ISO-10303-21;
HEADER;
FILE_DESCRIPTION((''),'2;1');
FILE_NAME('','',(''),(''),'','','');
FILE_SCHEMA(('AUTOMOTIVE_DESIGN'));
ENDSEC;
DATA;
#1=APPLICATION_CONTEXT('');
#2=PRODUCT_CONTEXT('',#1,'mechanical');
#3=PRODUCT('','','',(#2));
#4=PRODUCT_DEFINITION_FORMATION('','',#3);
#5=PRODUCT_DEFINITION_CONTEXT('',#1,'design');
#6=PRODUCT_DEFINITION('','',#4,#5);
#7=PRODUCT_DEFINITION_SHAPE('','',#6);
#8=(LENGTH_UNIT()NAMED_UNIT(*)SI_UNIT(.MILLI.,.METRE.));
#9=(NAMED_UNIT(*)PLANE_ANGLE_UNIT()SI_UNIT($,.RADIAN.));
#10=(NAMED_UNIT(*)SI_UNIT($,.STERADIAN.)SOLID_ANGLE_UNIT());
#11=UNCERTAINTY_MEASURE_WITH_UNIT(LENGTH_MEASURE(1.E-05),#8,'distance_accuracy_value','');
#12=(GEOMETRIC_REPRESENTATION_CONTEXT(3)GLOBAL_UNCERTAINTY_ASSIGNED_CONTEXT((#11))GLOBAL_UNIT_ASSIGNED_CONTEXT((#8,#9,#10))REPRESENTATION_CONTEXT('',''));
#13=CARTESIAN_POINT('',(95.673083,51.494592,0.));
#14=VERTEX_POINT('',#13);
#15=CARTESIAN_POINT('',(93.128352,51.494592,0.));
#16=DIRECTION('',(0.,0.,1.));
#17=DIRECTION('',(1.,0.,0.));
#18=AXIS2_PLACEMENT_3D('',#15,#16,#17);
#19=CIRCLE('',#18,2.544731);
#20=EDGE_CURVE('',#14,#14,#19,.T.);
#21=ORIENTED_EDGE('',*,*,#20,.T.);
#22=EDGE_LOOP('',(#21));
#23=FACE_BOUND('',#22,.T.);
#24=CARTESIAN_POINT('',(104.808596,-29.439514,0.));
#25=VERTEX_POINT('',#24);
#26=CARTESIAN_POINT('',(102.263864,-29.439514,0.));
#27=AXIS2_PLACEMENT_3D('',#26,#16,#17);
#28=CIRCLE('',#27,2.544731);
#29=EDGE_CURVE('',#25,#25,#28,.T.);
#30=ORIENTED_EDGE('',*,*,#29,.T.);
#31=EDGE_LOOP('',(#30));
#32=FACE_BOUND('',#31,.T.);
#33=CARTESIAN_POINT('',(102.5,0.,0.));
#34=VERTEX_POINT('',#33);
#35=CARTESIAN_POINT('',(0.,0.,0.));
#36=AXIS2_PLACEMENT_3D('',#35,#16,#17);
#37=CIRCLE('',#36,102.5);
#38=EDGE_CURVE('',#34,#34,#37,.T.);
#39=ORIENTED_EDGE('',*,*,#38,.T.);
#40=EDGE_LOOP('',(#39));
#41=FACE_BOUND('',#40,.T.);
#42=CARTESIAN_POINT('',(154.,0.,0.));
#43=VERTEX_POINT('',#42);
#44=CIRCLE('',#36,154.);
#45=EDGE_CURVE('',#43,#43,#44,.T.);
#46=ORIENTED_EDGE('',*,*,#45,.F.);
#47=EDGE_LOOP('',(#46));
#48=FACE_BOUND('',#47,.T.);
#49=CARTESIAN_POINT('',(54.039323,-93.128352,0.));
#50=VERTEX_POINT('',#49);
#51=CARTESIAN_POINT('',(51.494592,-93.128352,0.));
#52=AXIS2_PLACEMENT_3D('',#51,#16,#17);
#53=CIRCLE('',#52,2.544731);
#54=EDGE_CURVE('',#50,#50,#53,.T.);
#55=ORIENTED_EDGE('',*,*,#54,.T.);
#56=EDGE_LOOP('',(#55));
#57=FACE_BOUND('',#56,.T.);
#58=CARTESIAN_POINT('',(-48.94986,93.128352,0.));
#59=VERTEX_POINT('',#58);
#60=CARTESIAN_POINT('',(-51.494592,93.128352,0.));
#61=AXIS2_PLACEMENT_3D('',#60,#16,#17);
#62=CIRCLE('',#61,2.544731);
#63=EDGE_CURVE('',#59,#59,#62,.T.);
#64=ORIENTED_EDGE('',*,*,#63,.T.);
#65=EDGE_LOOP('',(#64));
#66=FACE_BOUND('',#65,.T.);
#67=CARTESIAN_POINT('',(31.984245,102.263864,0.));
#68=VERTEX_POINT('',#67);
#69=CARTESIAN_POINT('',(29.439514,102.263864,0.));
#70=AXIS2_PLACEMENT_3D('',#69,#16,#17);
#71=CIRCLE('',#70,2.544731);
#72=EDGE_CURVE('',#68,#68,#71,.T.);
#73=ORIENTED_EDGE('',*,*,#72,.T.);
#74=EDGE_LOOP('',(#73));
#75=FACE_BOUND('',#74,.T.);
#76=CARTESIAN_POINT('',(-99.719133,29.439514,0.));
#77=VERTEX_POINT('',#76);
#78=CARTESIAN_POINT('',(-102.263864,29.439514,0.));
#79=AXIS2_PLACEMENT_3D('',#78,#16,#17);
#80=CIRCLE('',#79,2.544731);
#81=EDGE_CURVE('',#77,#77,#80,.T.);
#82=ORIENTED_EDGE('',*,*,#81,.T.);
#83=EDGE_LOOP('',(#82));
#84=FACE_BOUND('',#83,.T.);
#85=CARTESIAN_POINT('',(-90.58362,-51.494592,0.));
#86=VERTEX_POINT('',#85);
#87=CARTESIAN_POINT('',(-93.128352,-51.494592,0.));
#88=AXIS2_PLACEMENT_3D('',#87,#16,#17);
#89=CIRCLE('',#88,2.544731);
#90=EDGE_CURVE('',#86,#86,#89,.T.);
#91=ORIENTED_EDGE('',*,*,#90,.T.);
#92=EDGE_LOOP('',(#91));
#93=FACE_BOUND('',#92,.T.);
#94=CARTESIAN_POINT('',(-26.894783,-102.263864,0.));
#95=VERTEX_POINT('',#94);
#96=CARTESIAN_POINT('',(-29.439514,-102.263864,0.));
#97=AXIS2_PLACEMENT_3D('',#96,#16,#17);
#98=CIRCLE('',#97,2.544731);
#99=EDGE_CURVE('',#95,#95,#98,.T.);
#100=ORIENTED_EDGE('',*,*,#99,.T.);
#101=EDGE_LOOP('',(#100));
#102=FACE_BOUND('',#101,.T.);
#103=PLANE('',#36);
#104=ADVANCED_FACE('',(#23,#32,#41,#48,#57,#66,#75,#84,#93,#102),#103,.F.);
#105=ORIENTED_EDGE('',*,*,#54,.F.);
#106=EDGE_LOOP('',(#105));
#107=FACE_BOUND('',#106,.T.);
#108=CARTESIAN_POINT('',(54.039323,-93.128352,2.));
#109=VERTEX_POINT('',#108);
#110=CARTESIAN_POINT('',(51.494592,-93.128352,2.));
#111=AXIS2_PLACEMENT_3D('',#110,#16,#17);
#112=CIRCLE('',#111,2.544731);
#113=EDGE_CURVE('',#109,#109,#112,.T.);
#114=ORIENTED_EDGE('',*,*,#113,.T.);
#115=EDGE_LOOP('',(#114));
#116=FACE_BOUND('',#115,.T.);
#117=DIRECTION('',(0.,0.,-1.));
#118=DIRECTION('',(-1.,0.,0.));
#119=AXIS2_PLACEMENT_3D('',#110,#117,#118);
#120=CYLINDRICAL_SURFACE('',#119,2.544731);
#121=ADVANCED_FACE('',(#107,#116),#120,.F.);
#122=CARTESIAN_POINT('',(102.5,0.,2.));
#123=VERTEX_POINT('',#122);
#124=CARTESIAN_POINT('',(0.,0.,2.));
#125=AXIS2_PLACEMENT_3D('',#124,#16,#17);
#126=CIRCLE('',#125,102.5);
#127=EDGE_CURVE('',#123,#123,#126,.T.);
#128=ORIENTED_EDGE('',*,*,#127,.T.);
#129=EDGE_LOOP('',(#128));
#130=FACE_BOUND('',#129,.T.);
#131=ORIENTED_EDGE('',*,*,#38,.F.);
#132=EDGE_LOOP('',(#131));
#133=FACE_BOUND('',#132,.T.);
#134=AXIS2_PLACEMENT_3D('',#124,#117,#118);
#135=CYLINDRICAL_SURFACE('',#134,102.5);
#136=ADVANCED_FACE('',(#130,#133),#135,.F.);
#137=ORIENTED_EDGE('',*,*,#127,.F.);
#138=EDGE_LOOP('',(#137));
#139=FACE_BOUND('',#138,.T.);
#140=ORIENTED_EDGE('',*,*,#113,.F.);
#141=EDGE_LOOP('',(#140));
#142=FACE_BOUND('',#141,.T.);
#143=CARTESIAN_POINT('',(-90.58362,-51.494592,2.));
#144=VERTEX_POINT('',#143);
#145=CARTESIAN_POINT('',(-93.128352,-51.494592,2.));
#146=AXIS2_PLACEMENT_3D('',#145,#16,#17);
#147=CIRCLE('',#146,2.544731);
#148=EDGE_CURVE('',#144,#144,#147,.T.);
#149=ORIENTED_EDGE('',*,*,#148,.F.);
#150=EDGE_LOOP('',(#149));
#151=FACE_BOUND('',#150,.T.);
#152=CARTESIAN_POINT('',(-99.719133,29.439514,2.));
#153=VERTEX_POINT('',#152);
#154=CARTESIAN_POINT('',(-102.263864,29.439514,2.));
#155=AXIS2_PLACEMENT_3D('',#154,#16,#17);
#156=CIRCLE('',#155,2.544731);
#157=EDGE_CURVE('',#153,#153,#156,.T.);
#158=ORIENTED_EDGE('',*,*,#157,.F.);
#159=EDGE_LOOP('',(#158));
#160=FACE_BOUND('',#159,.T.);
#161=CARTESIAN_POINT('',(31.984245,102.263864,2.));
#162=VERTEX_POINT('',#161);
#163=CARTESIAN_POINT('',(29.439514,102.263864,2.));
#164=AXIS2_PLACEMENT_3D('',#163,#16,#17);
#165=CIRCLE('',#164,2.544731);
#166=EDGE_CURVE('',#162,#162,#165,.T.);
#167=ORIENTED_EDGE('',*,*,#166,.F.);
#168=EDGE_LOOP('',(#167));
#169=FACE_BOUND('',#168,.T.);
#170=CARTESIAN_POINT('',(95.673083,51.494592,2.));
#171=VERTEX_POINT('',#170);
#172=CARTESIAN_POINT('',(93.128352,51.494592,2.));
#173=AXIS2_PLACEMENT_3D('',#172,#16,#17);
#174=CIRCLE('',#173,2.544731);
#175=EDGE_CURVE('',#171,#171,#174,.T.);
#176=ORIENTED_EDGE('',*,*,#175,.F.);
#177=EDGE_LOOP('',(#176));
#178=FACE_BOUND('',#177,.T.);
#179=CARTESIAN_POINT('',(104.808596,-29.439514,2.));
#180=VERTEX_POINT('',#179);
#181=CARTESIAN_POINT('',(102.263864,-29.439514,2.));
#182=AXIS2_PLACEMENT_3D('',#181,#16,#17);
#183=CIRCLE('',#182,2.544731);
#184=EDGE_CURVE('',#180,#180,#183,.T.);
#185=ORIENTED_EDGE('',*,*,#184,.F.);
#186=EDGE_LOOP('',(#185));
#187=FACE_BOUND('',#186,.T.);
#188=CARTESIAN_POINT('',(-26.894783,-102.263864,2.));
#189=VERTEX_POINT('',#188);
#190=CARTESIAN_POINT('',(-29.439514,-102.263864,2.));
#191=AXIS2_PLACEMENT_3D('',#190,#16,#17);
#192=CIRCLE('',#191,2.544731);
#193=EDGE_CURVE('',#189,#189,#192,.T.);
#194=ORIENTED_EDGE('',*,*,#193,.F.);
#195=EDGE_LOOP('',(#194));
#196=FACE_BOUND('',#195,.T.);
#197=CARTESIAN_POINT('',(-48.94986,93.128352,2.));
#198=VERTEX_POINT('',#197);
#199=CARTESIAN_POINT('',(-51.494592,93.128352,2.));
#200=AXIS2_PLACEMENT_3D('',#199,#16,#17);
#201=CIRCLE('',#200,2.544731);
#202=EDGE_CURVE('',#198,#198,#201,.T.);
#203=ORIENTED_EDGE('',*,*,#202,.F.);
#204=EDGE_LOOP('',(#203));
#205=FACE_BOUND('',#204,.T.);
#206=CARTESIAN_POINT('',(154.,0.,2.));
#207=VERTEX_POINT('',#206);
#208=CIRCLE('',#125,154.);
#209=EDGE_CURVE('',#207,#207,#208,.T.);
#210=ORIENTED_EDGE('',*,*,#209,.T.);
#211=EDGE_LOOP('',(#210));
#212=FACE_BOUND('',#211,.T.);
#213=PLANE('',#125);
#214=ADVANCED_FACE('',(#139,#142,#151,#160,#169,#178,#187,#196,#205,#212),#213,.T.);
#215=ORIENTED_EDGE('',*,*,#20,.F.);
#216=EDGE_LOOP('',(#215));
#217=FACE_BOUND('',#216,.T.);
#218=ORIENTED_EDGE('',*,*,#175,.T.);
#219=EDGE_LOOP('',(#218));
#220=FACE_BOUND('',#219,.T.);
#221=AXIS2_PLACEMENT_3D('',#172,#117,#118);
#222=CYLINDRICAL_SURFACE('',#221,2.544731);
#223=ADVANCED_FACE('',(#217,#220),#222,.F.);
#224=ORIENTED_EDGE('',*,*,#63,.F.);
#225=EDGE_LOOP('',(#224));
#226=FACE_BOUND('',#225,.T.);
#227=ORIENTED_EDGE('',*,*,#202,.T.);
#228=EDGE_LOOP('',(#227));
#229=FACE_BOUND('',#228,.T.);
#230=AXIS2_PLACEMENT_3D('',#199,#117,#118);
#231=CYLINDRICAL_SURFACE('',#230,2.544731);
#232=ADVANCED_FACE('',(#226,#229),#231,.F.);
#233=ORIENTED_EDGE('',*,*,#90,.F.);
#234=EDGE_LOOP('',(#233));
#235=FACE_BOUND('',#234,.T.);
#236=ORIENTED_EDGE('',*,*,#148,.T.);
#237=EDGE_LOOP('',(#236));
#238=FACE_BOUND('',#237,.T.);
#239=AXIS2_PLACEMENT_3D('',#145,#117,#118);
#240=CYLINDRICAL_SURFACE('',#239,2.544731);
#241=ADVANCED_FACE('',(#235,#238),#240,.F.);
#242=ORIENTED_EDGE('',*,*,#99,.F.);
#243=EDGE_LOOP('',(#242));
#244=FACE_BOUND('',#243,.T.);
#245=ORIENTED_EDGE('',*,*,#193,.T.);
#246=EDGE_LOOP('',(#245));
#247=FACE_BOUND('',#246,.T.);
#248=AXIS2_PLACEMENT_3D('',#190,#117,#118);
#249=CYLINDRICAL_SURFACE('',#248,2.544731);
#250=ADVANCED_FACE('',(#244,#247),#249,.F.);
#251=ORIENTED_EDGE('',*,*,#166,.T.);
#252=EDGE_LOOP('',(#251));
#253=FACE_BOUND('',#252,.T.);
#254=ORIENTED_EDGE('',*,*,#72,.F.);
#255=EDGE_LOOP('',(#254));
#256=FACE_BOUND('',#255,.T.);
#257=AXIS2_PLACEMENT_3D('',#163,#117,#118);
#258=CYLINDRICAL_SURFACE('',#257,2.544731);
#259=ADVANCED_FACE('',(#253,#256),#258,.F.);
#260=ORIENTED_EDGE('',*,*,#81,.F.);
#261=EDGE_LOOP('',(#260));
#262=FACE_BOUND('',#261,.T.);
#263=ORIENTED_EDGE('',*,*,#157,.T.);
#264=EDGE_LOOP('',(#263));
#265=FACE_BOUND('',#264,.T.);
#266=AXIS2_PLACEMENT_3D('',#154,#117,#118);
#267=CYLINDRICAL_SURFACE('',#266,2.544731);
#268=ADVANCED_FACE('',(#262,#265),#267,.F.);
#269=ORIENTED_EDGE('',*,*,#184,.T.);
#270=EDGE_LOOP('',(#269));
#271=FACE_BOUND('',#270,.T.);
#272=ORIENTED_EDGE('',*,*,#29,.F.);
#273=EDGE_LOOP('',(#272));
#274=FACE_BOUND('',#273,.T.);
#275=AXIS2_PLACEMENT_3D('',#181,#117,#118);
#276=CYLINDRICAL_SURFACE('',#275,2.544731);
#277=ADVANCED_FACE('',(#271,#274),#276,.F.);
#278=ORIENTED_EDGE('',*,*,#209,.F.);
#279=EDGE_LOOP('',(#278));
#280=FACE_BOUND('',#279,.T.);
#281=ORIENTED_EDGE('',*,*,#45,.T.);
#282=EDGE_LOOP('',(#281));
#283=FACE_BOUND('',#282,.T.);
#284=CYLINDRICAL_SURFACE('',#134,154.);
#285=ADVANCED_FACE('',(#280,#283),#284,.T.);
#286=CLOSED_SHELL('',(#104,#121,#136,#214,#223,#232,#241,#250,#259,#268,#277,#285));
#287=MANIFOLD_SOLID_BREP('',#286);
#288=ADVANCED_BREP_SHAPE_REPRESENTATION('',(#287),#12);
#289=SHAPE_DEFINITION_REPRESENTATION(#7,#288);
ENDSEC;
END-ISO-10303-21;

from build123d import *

# Parameters (mm, degrees)
SKETCH1_R           = 154
SKETCH1_R_2         = 102.5
SKETCH1_R_3         = 2.544731427
BOSS_EXTRUDE1_DEPTH = 2


with BuildPart() as part:
    # Sketch1 → Boss-Extrude1 (new body)
    with BuildSketch(Plane.XY):
        Circle(SKETCH1_R)
        Circle(SKETCH1_R_2, mode=Mode.SUBTRACT)
        with Locations((102.263864137, -29.439514058)):
            Circle(SKETCH1_R_3, mode=Mode.SUBTRACT)
        with Locations((93.128351827, 51.494591777)):
            Circle(SKETCH1_R_3, mode=Mode.SUBTRACT)
        with Locations((51.494591777, -93.128351827)):
            Circle(SKETCH1_R_3, mode=Mode.SUBTRACT)
        with Locations((-29.439514058, -102.263864137)):
            Circle(SKETCH1_R_3, mode=Mode.SUBTRACT)
        with Locations((-93.128351827, -51.494591777)):
            Circle(SKETCH1_R_3, mode=Mode.SUBTRACT)
        with Locations((-102.263864137, 29.439514058)):
            Circle(SKETCH1_R_3, mode=Mode.SUBTRACT)
        with Locations((-51.494591777, 93.128351827)):
            Circle(SKETCH1_R_3, mode=Mode.SUBTRACT)
        with Locations((29.439514058, 102.263864137)):
            Circle(SKETCH1_R_3, mode=Mode.SUBTRACT)
    extrude(amount=BOSS_EXTRUDE1_DEPTH)


solid = part.part
